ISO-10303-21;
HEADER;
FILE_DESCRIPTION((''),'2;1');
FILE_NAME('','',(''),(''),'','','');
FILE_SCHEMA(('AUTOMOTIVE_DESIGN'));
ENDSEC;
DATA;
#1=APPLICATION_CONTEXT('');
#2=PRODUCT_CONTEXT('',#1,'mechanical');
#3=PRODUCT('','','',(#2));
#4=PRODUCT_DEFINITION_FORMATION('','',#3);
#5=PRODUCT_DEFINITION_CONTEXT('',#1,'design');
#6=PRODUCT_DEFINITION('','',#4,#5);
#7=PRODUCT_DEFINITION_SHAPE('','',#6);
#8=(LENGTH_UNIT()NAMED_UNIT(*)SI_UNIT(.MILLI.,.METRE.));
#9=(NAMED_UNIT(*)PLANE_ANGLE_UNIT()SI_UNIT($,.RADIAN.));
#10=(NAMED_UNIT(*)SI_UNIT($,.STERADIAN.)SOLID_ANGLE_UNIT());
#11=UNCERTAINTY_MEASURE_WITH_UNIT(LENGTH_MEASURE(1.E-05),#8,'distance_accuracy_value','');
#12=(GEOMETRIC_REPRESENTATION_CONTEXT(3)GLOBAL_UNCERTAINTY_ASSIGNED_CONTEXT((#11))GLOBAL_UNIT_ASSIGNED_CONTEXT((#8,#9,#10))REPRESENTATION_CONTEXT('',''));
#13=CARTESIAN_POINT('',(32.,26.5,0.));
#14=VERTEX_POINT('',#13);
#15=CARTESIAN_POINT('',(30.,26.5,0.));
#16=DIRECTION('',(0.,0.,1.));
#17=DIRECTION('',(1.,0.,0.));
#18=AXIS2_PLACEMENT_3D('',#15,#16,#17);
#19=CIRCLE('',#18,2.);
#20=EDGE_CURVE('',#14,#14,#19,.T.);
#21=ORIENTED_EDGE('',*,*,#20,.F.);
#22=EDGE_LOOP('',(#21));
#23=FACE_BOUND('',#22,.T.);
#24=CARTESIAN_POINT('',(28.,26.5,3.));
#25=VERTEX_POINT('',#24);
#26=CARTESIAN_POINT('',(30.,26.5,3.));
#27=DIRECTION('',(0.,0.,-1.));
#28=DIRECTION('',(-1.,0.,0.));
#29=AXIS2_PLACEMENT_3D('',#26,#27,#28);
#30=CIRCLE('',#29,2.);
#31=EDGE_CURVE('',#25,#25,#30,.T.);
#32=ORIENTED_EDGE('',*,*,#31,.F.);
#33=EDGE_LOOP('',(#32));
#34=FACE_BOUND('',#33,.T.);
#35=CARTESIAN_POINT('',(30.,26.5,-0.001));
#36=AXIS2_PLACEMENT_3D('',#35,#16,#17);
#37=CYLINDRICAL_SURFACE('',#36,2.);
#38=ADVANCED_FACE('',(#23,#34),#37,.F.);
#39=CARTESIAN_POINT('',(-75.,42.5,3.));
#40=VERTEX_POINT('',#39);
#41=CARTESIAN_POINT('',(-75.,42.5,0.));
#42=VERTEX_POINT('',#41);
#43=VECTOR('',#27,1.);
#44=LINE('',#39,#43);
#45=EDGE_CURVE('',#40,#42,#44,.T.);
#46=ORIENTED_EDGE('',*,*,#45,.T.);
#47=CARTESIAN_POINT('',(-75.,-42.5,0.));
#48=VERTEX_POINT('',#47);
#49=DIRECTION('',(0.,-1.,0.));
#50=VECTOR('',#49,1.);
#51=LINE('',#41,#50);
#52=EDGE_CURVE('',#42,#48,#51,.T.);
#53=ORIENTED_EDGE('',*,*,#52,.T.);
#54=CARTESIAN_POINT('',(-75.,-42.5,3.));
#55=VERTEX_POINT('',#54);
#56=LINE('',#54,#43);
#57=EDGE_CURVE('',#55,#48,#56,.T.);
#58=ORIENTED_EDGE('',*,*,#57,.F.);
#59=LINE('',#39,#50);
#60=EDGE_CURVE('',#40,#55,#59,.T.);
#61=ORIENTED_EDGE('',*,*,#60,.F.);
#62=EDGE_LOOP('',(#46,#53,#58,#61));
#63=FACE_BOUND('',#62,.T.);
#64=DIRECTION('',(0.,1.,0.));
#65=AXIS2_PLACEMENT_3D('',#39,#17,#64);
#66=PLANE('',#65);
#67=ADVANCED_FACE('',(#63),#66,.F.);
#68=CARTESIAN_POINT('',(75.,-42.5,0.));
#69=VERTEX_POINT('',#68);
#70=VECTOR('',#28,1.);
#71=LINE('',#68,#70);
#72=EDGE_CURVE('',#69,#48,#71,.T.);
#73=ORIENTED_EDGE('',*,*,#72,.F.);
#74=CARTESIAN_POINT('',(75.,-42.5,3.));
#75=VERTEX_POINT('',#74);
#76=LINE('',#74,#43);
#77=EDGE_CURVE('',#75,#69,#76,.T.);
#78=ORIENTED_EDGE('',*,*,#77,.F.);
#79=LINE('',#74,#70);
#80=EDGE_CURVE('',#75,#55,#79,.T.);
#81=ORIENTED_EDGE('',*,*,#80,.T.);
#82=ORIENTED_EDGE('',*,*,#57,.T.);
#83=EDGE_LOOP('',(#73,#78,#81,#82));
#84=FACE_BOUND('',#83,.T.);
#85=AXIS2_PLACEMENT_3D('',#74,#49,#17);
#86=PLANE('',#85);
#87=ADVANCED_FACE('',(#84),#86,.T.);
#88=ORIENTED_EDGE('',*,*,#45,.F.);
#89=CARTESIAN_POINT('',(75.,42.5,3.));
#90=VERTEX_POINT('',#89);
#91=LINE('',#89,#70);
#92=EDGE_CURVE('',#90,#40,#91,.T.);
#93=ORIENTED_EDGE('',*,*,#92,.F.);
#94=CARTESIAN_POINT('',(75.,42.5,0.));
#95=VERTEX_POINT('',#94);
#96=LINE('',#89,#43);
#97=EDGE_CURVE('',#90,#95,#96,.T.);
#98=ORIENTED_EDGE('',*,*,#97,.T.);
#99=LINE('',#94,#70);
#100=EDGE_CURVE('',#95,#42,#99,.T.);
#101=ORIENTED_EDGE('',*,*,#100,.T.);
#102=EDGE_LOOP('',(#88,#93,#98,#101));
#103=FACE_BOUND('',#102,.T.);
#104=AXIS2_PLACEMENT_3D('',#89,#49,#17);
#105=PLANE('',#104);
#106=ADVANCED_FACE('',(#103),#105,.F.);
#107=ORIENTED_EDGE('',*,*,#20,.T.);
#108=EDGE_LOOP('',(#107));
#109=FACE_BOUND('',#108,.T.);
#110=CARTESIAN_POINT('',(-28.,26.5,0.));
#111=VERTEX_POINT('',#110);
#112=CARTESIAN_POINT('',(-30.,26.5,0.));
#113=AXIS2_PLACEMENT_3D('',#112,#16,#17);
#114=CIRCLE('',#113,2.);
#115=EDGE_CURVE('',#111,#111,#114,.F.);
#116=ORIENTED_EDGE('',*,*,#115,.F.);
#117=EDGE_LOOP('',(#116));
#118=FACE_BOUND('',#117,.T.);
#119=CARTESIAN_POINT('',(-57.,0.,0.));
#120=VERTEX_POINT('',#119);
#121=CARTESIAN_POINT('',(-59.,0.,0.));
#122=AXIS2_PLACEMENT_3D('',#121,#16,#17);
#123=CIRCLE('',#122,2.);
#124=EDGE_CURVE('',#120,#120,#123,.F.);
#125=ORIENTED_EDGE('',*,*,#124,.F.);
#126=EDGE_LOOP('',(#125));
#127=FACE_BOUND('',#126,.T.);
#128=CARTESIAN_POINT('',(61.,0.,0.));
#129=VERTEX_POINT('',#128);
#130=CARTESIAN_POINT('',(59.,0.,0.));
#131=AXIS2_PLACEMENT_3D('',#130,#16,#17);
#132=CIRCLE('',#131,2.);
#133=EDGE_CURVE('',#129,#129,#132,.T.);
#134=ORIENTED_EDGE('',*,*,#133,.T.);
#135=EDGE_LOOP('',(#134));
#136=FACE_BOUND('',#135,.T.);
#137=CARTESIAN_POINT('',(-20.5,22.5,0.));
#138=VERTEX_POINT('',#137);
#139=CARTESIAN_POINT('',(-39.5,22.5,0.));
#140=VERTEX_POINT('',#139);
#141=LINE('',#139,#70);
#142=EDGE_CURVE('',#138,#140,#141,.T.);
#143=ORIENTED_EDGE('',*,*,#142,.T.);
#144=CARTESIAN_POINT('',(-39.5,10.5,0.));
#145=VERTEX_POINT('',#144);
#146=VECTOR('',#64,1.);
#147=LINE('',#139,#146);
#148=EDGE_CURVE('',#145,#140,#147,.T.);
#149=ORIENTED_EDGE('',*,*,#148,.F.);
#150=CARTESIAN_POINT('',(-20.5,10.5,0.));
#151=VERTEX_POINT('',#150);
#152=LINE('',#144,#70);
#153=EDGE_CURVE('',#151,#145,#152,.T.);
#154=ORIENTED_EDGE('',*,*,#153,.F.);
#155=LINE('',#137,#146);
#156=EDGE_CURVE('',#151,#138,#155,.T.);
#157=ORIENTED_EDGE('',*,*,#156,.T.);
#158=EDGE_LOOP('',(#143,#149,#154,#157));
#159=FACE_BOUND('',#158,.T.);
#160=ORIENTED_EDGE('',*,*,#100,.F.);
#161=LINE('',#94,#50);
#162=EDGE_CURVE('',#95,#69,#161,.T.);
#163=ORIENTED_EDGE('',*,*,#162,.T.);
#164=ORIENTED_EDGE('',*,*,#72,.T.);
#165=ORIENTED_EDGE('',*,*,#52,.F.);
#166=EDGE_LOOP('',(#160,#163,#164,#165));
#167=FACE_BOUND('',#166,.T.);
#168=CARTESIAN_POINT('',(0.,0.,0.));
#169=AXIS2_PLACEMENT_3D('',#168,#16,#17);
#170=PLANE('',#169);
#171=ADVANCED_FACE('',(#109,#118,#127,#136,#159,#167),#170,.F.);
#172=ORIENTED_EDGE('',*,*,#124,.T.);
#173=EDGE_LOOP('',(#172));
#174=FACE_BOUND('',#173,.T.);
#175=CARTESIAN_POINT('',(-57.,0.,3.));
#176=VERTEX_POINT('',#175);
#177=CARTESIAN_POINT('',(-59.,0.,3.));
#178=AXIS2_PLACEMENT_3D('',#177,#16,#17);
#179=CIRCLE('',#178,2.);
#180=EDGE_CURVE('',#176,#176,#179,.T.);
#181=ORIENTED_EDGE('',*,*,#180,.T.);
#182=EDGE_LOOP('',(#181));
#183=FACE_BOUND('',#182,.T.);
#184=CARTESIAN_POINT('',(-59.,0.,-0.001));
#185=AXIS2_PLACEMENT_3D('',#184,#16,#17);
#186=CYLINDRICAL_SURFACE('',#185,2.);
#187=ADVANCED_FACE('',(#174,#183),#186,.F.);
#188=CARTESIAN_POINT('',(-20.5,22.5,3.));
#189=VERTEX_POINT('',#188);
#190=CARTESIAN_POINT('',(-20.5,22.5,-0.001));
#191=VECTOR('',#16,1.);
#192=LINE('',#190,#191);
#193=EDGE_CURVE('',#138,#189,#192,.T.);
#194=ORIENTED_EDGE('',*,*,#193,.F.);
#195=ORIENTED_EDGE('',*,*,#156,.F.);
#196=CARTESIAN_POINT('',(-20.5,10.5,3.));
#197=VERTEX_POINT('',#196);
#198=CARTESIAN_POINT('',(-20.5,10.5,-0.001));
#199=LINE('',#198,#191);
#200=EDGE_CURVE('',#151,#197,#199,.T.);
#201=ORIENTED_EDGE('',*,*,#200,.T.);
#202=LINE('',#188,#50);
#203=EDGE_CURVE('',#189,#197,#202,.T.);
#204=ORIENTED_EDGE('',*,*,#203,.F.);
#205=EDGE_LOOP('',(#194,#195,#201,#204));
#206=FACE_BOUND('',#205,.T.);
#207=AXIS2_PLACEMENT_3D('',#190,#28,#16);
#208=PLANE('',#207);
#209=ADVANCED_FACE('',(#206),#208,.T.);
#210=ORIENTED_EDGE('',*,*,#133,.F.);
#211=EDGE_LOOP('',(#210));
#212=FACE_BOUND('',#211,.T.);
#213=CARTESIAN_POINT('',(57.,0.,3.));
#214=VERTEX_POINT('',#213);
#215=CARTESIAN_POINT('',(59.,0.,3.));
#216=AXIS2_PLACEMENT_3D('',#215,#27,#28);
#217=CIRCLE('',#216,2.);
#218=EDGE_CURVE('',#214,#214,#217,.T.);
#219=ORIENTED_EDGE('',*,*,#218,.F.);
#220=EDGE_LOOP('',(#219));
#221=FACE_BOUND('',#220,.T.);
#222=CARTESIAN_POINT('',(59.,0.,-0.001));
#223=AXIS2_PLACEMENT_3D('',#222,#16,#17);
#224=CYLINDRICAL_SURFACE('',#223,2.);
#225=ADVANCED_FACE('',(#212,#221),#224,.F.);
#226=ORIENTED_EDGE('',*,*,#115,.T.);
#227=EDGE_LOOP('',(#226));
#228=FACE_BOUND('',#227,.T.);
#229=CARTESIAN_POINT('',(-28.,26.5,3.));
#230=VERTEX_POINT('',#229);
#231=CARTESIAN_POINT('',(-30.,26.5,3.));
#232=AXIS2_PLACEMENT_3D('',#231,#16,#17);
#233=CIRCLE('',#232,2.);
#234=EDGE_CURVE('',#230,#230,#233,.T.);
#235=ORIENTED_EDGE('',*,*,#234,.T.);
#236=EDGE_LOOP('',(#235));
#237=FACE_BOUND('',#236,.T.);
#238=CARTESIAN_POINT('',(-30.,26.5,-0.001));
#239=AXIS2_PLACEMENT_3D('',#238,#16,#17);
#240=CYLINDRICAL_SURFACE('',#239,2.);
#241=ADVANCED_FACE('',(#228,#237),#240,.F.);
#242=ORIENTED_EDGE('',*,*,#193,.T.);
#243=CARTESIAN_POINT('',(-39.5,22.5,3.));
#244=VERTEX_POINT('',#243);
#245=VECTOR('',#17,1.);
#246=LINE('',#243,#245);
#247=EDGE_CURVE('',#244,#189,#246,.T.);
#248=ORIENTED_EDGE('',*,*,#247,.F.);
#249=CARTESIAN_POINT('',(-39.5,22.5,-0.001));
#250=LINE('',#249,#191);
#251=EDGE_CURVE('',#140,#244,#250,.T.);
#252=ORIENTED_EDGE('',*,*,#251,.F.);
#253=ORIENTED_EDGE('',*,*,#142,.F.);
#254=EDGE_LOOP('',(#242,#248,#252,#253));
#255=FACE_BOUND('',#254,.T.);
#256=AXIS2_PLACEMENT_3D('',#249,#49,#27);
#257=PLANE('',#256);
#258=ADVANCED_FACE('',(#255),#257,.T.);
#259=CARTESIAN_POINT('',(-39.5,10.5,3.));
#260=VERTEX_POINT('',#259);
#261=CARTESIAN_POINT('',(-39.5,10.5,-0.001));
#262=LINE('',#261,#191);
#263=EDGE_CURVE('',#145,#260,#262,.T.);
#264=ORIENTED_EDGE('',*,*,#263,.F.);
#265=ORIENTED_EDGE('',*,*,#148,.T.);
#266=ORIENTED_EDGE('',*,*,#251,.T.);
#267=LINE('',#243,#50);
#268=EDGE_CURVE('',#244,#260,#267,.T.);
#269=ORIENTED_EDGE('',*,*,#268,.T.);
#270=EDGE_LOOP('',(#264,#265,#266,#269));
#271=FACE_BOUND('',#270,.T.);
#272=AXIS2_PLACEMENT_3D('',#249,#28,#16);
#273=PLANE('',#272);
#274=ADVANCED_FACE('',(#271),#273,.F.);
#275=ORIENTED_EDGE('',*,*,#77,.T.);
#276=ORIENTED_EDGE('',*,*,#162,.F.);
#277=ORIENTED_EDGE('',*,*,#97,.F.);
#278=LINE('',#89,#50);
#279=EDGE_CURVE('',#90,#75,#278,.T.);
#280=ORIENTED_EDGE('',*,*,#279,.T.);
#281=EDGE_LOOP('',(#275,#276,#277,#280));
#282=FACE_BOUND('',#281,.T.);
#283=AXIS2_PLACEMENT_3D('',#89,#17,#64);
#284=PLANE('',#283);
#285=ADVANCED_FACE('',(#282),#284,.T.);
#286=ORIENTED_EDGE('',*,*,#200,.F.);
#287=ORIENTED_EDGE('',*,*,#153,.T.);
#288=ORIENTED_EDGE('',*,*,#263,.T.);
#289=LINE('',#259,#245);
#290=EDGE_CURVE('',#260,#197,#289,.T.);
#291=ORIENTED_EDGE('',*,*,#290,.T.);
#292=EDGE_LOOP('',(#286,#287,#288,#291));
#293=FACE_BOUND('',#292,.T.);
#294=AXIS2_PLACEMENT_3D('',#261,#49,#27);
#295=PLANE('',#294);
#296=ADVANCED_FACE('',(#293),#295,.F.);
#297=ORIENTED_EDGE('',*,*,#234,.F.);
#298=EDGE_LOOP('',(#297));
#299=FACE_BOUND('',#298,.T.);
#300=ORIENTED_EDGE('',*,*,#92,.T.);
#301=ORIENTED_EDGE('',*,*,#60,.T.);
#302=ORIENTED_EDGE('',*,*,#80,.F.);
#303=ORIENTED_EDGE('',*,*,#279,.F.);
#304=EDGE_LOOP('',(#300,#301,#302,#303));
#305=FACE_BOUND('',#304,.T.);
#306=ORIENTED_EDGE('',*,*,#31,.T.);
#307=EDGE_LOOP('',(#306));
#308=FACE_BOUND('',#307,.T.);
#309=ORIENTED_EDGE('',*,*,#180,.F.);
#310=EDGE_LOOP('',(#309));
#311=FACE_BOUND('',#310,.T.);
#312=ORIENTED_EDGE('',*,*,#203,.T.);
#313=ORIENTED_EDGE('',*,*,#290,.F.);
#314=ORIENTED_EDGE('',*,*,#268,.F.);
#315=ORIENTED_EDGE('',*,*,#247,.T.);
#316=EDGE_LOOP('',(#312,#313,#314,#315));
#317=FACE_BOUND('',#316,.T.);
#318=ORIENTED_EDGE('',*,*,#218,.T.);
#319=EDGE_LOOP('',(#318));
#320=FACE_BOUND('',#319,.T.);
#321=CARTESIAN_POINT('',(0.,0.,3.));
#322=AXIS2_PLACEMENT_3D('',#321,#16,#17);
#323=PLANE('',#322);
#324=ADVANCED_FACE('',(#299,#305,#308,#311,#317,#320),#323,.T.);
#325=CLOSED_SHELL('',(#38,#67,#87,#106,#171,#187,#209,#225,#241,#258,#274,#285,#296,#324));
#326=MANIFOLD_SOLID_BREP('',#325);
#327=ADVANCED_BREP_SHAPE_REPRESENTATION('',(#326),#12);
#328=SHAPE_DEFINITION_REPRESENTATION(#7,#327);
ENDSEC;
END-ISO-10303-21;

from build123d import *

# Parameters (mm, degrees)
SKETCH1_W           = 150
SKETCH1_H           = 85
BOSS_EXTRUDE1_DEPTH = 3
SKETCH2_R           = 2
CUT_EXTRUDE1_DEPTH  = 3
SKETCH3_R           = 2
CUT_EXTRUDE2_DEPTH  = 3
CUT_EXTRUDE4_REACH  = 5
SKETCH5_W           = 19
SKETCH5_H           = 12


with BuildPart() as part:
    # Sketch1 → Boss-Extrude1 (new body)
    with BuildSketch(Plane.XY):
        Rectangle(SKETCH1_W, SKETCH1_H)
    extrude(amount=BOSS_EXTRUDE1_DEPTH)

    # Sketch2 → Cut-Extrude1 (cut)
    with BuildSketch(Plane.XY.offset(3)):
        with Locations((-30, 26.5)):
            Circle(SKETCH2_R)
    cut_extrude1 = extrude(amount=-CUT_EXTRUDE1_DEPTH, mode=Mode.SUBTRACT)

    # Mirror1: Cut-Extrude1 across plane
    add(cut_extrude1.mirror(Plane(origin=(0, 0, 0), x_dir=(0, 0, 1), z_dir=(1, 0, 0))), mode=Mode.SUBTRACT)

    # Sketch3 → Cut-Extrude2 (cut)
    with BuildSketch(Plane.XY.offset(3)):
        with Locations((-59, 0)):
            Circle(SKETCH3_R)
    cut_extrude2 = extrude(amount=-CUT_EXTRUDE2_DEPTH, mode=Mode.SUBTRACT)

    # Mirror2: Cut-Extrude2 across plane
    add(cut_extrude2.mirror(Plane(origin=(0, 0, 0), x_dir=(0, 0, 1), z_dir=(1, 0, 0))), mode=Mode.SUBTRACT)

    # Sketch5 → Cut-Extrude4 (cut, up to next)
    with BuildSketch(Plane.XY.offset(3), mode=Mode.PRIVATE) as cut_extrude4_sk1:
        with Locations((-30, 16.5)):
            Rectangle(SKETCH5_W, SKETCH5_H)
    cut_extrude4_tool1 = extrude(cut_extrude4_sk1.sketch, amount=-CUT_EXTRUDE4_REACH, mode=Mode.PRIVATE) & part.part
    add(cut_extrude4_tool1.solids().sort_by_distance((-30, 16.5, 3))[0], mode=Mode.SUBTRACT)


solid = part.part
